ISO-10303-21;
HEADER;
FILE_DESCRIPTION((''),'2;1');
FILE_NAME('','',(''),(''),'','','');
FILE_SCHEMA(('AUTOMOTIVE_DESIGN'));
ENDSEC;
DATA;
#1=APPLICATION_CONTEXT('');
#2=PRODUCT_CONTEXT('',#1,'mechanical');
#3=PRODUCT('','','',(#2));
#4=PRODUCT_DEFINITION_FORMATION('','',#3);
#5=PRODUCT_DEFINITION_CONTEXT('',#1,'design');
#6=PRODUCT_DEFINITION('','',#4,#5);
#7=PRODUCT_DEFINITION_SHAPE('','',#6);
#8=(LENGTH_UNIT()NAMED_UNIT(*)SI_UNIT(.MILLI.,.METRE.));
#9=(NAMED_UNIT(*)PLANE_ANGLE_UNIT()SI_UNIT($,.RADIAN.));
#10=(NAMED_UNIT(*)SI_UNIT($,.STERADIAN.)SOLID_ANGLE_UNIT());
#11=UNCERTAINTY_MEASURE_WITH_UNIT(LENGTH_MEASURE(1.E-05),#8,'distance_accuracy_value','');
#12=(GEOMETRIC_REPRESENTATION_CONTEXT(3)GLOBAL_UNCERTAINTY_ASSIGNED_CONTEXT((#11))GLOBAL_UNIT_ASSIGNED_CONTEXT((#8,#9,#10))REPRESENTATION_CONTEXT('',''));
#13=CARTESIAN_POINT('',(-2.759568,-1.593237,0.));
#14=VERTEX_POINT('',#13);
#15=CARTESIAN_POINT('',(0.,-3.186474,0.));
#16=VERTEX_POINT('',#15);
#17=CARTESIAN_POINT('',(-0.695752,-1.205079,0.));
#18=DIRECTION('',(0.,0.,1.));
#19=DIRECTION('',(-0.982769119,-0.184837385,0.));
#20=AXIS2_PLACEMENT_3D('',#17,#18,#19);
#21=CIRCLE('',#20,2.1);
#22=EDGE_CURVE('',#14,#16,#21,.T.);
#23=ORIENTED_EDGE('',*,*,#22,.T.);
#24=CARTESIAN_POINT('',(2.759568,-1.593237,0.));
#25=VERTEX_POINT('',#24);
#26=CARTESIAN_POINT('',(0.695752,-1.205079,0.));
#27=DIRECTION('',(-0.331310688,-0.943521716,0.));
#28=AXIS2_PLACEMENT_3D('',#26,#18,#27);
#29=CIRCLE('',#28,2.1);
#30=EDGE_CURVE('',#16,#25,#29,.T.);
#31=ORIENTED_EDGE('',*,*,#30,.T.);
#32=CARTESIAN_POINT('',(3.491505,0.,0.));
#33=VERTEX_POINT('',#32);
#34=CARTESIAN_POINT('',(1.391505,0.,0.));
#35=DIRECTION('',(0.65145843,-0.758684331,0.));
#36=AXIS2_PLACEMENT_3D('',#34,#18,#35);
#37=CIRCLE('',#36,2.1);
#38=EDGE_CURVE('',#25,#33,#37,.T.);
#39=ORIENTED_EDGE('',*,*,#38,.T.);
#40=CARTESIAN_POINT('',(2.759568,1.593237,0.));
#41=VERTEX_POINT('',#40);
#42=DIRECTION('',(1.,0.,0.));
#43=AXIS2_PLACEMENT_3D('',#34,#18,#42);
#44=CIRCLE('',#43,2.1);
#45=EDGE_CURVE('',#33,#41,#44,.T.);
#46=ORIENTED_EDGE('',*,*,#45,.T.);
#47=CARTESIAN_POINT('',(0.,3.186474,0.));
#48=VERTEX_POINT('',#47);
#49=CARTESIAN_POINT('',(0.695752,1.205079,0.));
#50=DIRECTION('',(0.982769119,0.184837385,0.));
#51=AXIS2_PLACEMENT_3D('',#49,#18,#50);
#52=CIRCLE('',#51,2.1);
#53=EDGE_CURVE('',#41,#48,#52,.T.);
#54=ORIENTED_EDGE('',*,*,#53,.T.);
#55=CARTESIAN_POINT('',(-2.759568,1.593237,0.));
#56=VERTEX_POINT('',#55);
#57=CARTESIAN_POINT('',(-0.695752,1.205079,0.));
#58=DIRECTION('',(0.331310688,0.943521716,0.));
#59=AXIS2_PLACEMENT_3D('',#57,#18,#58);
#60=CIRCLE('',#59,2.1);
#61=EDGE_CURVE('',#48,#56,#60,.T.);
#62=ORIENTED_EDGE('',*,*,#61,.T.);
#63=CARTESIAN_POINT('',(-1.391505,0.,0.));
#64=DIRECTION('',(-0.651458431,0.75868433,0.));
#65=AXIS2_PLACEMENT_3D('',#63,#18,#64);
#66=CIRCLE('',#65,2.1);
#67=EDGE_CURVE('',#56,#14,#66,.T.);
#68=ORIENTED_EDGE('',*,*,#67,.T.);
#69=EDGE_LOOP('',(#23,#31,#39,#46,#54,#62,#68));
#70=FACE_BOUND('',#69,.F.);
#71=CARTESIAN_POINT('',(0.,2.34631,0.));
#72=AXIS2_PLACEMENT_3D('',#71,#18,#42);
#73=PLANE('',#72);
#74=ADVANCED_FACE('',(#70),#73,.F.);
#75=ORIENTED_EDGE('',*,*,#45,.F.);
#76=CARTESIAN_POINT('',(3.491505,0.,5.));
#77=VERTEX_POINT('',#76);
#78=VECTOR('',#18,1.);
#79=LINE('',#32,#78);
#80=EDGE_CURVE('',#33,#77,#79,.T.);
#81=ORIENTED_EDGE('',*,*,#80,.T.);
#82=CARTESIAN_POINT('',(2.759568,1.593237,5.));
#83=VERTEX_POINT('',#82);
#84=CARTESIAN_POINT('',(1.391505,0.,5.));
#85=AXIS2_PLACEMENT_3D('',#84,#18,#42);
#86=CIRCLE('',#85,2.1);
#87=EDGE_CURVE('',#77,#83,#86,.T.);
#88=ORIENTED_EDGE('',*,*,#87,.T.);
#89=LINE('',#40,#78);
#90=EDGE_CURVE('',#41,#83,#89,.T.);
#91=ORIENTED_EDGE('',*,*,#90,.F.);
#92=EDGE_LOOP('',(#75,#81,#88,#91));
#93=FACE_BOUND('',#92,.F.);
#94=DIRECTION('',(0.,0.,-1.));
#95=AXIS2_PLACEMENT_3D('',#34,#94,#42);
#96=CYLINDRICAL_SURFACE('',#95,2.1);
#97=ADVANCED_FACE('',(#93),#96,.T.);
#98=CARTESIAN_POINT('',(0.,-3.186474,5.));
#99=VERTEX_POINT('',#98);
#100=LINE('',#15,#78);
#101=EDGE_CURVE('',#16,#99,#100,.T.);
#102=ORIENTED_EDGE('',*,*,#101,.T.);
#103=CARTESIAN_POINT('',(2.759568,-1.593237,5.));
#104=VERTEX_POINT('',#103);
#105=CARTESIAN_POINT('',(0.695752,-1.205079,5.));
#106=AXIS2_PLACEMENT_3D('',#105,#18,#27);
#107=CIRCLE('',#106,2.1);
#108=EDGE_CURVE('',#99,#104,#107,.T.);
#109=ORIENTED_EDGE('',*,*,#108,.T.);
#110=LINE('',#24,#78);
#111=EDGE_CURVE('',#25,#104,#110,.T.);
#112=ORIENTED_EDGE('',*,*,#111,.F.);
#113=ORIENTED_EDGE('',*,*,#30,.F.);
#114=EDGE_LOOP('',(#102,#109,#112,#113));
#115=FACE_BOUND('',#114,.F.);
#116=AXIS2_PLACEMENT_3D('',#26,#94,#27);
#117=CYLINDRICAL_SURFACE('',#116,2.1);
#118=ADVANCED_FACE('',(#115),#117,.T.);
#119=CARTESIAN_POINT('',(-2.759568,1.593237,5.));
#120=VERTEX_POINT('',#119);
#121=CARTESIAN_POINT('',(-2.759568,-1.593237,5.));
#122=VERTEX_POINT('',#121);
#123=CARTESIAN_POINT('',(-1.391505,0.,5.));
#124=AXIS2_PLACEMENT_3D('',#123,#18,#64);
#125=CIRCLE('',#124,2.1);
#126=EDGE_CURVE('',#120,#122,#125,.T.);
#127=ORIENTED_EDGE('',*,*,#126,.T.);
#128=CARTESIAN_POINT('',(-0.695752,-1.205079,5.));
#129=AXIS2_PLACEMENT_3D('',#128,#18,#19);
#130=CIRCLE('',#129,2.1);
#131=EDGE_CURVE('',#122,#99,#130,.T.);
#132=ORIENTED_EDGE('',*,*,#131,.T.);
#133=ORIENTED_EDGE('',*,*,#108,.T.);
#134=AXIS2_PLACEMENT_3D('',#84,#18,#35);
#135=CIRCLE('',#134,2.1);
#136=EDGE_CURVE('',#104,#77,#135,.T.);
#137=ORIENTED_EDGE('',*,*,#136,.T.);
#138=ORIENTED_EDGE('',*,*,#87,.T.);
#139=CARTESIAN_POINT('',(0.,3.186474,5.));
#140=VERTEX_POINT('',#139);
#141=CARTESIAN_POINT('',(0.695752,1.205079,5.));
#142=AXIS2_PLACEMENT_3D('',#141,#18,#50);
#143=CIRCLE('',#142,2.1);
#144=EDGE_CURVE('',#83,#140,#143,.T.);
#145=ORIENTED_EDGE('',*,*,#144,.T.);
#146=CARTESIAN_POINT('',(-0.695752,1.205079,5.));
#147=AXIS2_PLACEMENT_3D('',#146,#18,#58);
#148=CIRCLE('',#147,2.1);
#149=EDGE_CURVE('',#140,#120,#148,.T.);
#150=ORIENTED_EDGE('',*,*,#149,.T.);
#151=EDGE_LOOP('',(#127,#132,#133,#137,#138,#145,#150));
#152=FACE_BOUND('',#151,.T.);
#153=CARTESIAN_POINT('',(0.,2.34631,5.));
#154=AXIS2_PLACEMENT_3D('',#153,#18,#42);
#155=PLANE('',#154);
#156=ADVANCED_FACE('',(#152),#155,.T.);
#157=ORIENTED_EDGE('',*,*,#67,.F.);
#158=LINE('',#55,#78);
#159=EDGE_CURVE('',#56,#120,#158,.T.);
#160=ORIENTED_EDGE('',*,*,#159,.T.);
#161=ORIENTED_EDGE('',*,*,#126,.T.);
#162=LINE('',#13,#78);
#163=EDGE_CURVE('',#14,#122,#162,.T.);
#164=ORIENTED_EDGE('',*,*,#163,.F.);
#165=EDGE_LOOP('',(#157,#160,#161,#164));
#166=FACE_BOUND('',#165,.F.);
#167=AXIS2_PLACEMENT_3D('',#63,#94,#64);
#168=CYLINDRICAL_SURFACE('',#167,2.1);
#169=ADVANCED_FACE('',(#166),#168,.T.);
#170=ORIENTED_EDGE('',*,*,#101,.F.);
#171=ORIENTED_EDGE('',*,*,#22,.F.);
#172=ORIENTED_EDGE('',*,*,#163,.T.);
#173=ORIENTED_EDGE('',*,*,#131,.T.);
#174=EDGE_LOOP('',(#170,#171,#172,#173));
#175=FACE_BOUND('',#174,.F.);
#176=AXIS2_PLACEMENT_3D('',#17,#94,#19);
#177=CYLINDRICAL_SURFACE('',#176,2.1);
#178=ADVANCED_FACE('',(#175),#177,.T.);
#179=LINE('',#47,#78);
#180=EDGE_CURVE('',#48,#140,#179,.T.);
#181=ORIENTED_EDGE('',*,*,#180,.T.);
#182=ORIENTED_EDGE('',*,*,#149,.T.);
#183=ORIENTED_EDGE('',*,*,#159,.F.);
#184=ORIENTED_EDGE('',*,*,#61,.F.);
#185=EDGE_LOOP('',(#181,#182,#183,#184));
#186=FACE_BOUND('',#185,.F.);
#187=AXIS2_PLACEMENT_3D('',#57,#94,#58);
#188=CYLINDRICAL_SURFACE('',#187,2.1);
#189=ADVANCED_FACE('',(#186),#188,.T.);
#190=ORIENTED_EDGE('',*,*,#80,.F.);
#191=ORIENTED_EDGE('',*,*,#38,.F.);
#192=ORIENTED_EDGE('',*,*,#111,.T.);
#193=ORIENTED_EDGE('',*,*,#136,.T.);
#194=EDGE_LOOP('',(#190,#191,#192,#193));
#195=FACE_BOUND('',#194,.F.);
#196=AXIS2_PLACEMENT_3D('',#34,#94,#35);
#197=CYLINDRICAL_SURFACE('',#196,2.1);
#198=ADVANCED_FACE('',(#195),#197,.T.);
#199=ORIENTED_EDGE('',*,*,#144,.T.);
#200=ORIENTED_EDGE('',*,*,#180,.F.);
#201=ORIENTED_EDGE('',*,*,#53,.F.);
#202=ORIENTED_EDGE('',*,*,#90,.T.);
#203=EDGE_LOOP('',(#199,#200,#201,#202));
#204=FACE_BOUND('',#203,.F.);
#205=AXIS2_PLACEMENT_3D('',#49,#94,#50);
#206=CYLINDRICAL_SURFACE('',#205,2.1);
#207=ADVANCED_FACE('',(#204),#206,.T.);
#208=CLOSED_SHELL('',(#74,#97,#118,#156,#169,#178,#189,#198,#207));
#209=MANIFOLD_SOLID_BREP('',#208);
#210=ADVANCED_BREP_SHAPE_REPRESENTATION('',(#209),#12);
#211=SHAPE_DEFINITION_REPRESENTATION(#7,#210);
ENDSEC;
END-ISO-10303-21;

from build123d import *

# Parameters (mm, degrees)
F1_DEPTH = 5


with BuildPart() as f1:
    # F0 (on Top) → F1 (new body)
    with BuildSketch(Plane.XY):
        with BuildLine():
            ThreePointArc((0, 1.5728045453), (0.5622224725, 1.9293238894), (1.2077869163, 2.0919483038))
            ThreePointArc((1.2077869163, 2.0919483038), (0.7144164106, 2.7611710623), (0, 3.186474188))
            ThreePointArc((0, 3.186474188), (-0.7144164106, 2.7611710623), (-1.2077869163, 2.0919483038))
            ThreePointArc((-1.2077869163, 2.0919483038), (-0.5622224725, 1.9293238894), (0, 1.5728045453))
        make_face()
        with BuildLine():
            ThreePointArc((-1.2077869163, 2.0919483038), (-0.7144164106, 2.7611710623), (0, 3.186474188))
            ThreePointArc((0, 3.186474188), (-1.7457524456, 3.0237319332), (-2.7595675953, 1.593237094))
            ThreePointArc((-2.7595675953, 1.593237094), (-2.0340360789, 1.9992882916), (-1.2077869163, 2.0919483038))
        make_face()
        with BuildLine():
            ThreePointArc((-1.3620886914, 0.7864022727), (-1.3897322641, 1.4515608884), (-1.2077869163, 2.0919483038))
            ThreePointArc((-1.2077869163, 2.0919483038), (-2.0340360789, 1.9992882916), (-2.7595675953, 1.593237094))
            ThreePointArc((-2.7595675953, 1.593237094), (-2.7484524894, 0.7618827707), (-2.4155738326, 0))
            ThreePointArc((-2.4155738326, 0), (-1.9519547366, 0.4777630009), (-1.3620886914, 0.7864022727))
        make_face()
        with BuildLine():
            ThreePointArc((-0.5120344707, 0.8868697185), (-0.291336695, 1.256202291), (0, 1.5728045453))
            ThreePointArc((0, 1.5728045453), (-0.5622224725, 1.9293238894), (-1.2077869163, 2.0919483038))
            ThreePointArc((-1.2077869163, 2.0919483038), (-1.3897322641, 1.4515608884), (-1.3620886914, 0.7864022727))
            ThreePointArc((-1.3620886914, 0.7864022727), (-0.9422347488, 0.8804061244), (-0.5120344707, 0.8868697185))
        make_face()
        with BuildLine():
            ThreePointArc((-1.0240689414, 0), (-1.2335714437, 0.3757961666), (-1.3620886914, 0.7864022727))
            ThreePointArc((-1.3620886914, 0.7864022727), (-1.9519547366, 0.4777630009), (-2.4155738326, 0))
            ThreePointArc((-2.4155738326, 0), (-1.9519547366, -0.4777630009), (-1.3620886914, -0.7864022727))
            ThreePointArc((-1.3620886914, -0.7864022727), (-1.2335714437, -0.3757961666), (-1.0240689414, 0))
        make_face()
        with BuildLine():
            ThreePointArc((-2.4155738326, 0), (-2.7484524894, 0.7618827707), (-2.7595675953, 1.593237094))
            ThreePointArc((-2.7595675953, 1.593237094), (-3.4915048912, 0), (-2.7595675953, -1.593237094))
            ThreePointArc((-2.7595675953, -1.593237094), (-2.7484524894, -0.7618827707), (-2.4155738326, 0))
        make_face()
        with BuildLine():
            ThreePointArc((-2.4155738326, 0), (-2.7484524894, -0.7618827707), (-2.7595675953, -1.593237094))
            ThreePointArc((-2.7595675953, -1.593237094), (-2.0340360789, -1.9992882916), (-1.2077869163, -2.0919483038))
            ThreePointArc((-1.2077869163, -2.0919483038), (-1.3897322641, -1.4515608884), (-1.3620886914, -0.7864022727))
            ThreePointArc((-1.3620886914, -0.7864022727), (-1.9519547366, -0.4777630009), (-2.4155738326, 0))
        make_face()
        with BuildLine():
            ThreePointArc((-2.7595675953, -1.593237094), (-1.7457524456, -3.0237319332), (0, -3.186474188))
            ThreePointArc((0, -3.186474188), (-0.7144164106, -2.7611710623), (-1.2077869163, -2.0919483038))
            ThreePointArc((-1.2077869163, -2.0919483038), (-2.0340360789, -1.9992882916), (-2.7595675953, -1.593237094))
        make_face()
        with BuildLine():
            ThreePointArc((0, -3.186474188), (0.7144164106, -2.7611710623), (1.2077869163, -2.0919483038))
            ThreePointArc((1.2077869163, -2.0919483038), (0.5622224725, -1.9293238894), (0, -1.5728045453))
            ThreePointArc((0, -1.5728045453), (-0.5622224725, -1.9293238894), (-1.2077869163, -2.0919483038))
            ThreePointArc((-1.2077869163, -2.0919483038), (-0.7144164106, -2.7611710623), (0, -3.186474188))
        make_face()
        with BuildLine():
            ThreePointArc((-1.2077869163, -2.0919483038), (-0.5622224725, -1.9293238894), (0, -1.5728045453))
            ThreePointArc((0, -1.5728045453), (-0.291336695, -1.256202291), (-0.5120344707, -0.8868697185))
            ThreePointArc((-0.5120344707, -0.8868697185), (-0.9422347488, -0.8804061244), (-1.3620886914, -0.7864022727))
            ThreePointArc((-1.3620886914, -0.7864022727), (-1.3897322641, -1.4515608884), (-1.2077869163, -2.0919483038))
        make_face()
        with BuildLine():
            ThreePointArc((-1.3620886914, -0.7864022727), (-0.9422347488, -0.8804061244), (-0.5120344707, -0.8868697185))
            ThreePointArc((-0.5120344707, -0.8868697185), (-0.6077834004, -0.6425311876), (-0.6723102585, -0.3881585087))
            ThreePointArc((-0.6723102585, -0.3881585087), (-0.8603400314, -0.2050902709), (-1.0240689414, 0))
            ThreePointArc((-1.0240689414, 0), (-1.2335714437, -0.3757961666), (-1.3620886914, -0.7864022727))
        make_face()
        with BuildLine():
            ThreePointArc((-0.6723102585, 0.3881585087), (-0.6077834004, 0.6425311876), (-0.5120344707, 0.8868697185))
            ThreePointArc((-0.5120344707, 0.8868697185), (-0.9422347488, 0.8804061244), (-1.3620886914, 0.7864022727))
            ThreePointArc((-1.3620886914, 0.7864022727), (-1.2335714437, 0.3757961666), (-1.0240689414, 0))
            ThreePointArc((-1.0240689414, 0), (-0.8603400314, 0.2050902709), (-0.6723102585, 0.3881585087))
        make_face()
        with BuildLine():
            ThreePointArc((0, 0.7763170174), (-0.3542475544, 0.6135747627), (-0.6723102585, 0.3881585087))
            ThreePointArc((-0.6723102585, 0.3881585087), (-0.7084951088, 0), (-0.6723102585, -0.3881585087))
            ThreePointArc((-0.6723102585, -0.3881585087), (-0.3542475544, -0.6135747627), (0, -0.7763170174))
            ThreePointArc((0, -0.7763170174), (0.3542475544, -0.6135747627), (0.6723102585, -0.3881585087))
            ThreePointArc((0.6723102585, -0.3881585087), (0.6994293275, -0.1949207347), (0.7084951088, 0))
            ThreePointArc((0.7084951088, 0), (0.6994293275, 0.1949207347), (0.6723102585, 0.3881585087))
            ThreePointArc((0.6723102585, 0.3881585087), (0.3542475544, 0.6135747627), (0, 0.7763170174))
        make_face()
        with BuildLine():
            ThreePointArc((0.5120344707, 0.8868697185), (0.291336695, 1.256202291), (0, 1.5728045453))
            ThreePointArc((0, 1.5728045453), (-0.291336695, 1.256202291), (-0.5120344707, 0.8868697185))
            ThreePointArc((-0.5120344707, 0.8868697185), (-0.252556631, 0.8476214585), (0, 0.7763170174))
            ThreePointArc((0, 0.7763170174), (0.252556631, 0.8476214585), (0.5120344707, 0.8868697185))
        make_face()
        with BuildLine():
            ThreePointArc((1.4042475544, 1.2050785853), (1.3545441988, 1.6592632063), (1.2077869163, 2.0919483038))
            ThreePointArc((1.2077869163, 2.0919483038), (0.5622224725, 1.9293238894), (0, 1.5728045453))
            ThreePointArc((0, 1.5728045453), (0.291336695, 1.256202291), (0.5120344707, 0.8868697185))
            ThreePointArc((0.5120344707, 0.8868697185), (0.9422347488, 0.8804061244), (1.3620886914, 0.7864022727))
            ThreePointArc((1.3620886914, 0.7864022727), (1.3936812561, 0.9946818027), (1.4042475544, 1.2050785853))
        make_face()
        with BuildLine():
            ThreePointArc((1.2077869163, 2.0919483038), (2.0340360789, 1.9992882916), (2.7595675953, 1.593237094))
            ThreePointArc((2.7595675953, 1.593237094), (1.7457524456, 3.0237319332), (0, 3.186474188))
            ThreePointArc((0, 3.186474188), (0.7144164106, 2.7611710623), (1.2077869163, 2.0919483038))
        make_face()
        with BuildLine():
            ThreePointArc((2.7957524456, 1.2050785853), (2.7866866644, 1.39999932), (2.7595675953, 1.593237094))
            ThreePointArc((2.7595675953, 1.593237094), (2.0340360789, 1.9992882916), (1.2077869163, 2.0919483038))
            ThreePointArc((1.2077869163, 2.0919483038), (1.3545441988, 1.6592632063), (1.4042475544, 1.2050785853))
            ThreePointArc((1.4042475544, 1.2050785853), (1.3936812561, 0.9946818027), (1.3620886914, 0.7864022727))
            ThreePointArc((1.3620886914, 0.7864022727), (1.9519547366, 0.4777630009), (2.4155738326, 0))
            ThreePointArc((2.4155738326, 0), (2.6984537355, 0.5732656829), (2.7957524456, 1.2050785853))
        make_face()
        with BuildLine():
            ThreePointArc((2.7595675953, -1.593237094), (3.2997674097, -0.8766608014), (3.4915048912, 0))
            ThreePointArc((3.4915048912, 0), (3.2997674097, 0.8766608014), (2.7595675953, 1.593237094))
            ThreePointArc((2.7595675953, 1.593237094), (2.7866866644, 1.39999932), (2.7957524456, 1.2050785853))
            ThreePointArc((2.7957524456, 1.2050785853), (2.6984537355, 0.5732656829), (2.4155738326, 0))
            ThreePointArc((2.4155738326, 0), (2.6984537355, -0.5732656829), (2.7957524456, -1.2050785853))
            ThreePointArc((2.7957524456, -1.2050785853), (2.7866866644, -1.39999932), (2.7595675953, -1.593237094))
        make_face()
        with BuildLine():
            ThreePointArc((1.2077869163, -2.0919483038), (2.0340360789, -1.9992882916), (2.7595675953, -1.593237094))
            ThreePointArc((2.7595675953, -1.593237094), (2.7866866644, -1.39999932), (2.7957524456, -1.2050785853))
            ThreePointArc((2.7957524456, -1.2050785853), (2.6984537355, -0.5732656829), (2.4155738326, 0))
            ThreePointArc((2.4155738326, 0), (1.9519547366, -0.4777630009), (1.3620886914, -0.7864022727))
            ThreePointArc((1.3620886914, -0.7864022727), (1.3936812561, -0.9946818027), (1.4042475544, -1.2050785853))
            ThreePointArc((1.4042475544, -1.2050785853), (1.3545441988, -1.6592632063), (1.2077869163, -2.0919483038))
        make_face()
        with BuildLine():
            ThreePointArc((0, -3.186474188), (1.7457524456, -3.0237319332), (2.7595675953, -1.593237094))
            ThreePointArc((2.7595675953, -1.593237094), (2.0340360789, -1.9992882916), (1.2077869163, -2.0919483038))
            ThreePointArc((1.2077869163, -2.0919483038), (0.7144164106, -2.7611710623), (0, -3.186474188))
        make_face()
        with BuildLine():
            ThreePointArc((0, -1.5728045453), (0.5622224725, -1.9293238894), (1.2077869163, -2.0919483038))
            ThreePointArc((1.2077869163, -2.0919483038), (1.3545441988, -1.6592632063), (1.4042475544, -1.2050785853))
            ThreePointArc((1.4042475544, -1.2050785853), (1.3936812561, -0.9946818027), (1.3620886914, -0.7864022727))
            ThreePointArc((1.3620886914, -0.7864022727), (0.9422347488, -0.8804061244), (0.5120344707, -0.8868697185))
            ThreePointArc((0.5120344707, -0.8868697185), (0.291336695, -1.256202291), (0, -1.5728045453))
        make_face()
        with BuildLine():
            ThreePointArc((0.5120344707, -0.8868697185), (0.9422347488, -0.8804061244), (1.3620886914, -0.7864022727))
            ThreePointArc((1.3620886914, -0.7864022727), (1.2335714437, -0.3757961666), (1.0240689414, 0))
            ThreePointArc((1.0240689414, 0), (0.8603400314, -0.2050902709), (0.6723102585, -0.3881585087))
            ThreePointArc((0.6723102585, -0.3881585087), (0.6077834004, -0.6425311876), (0.5120344707, -0.8868697185))
        make_face()
        with BuildLine():
            ThreePointArc((1.3620886914, -0.7864022727), (1.9519547366, -0.4777630009), (2.4155738326, 0))
            ThreePointArc((2.4155738326, 0), (1.9519547366, 0.4777630009), (1.3620886914, 0.7864022727))
            ThreePointArc((1.3620886914, 0.7864022727), (1.2335714437, 0.3757961666), (1.0240689414, 0))
            ThreePointArc((1.0240689414, 0), (1.2335714437, -0.3757961666), (1.3620886914, -0.7864022727))
        make_face()
        with BuildLine():
            ThreePointArc((1.3620886914, 0.7864022727), (0.9422347488, 0.8804061244), (0.5120344707, 0.8868697185))
            ThreePointArc((0.5120344707, 0.8868697185), (0.6077834004, 0.6425311876), (0.6723102585, 0.3881585087))
            ThreePointArc((0.6723102585, 0.3881585087), (0.8603400314, 0.2050902709), (1.0240689414, 0))
            ThreePointArc((1.0240689414, 0), (1.2335714437, 0.3757961666), (1.3620886914, 0.7864022727))
        make_face()
        with BuildLine():
            ThreePointArc((-0.5120344707, -0.8868697185), (-0.291336695, -1.256202291), (0, -1.5728045453))
            ThreePointArc((0, -1.5728045453), (0.291336695, -1.256202291), (0.5120344707, -0.8868697185))
            ThreePointArc((0.5120344707, -0.8868697185), (0.252556631, -0.8476214585), (0, -0.7763170174))
            ThreePointArc((0, -0.7763170174), (-0.252556631, -0.8476214585), (-0.5120344707, -0.8868697185))
        make_face()
        with BuildLine():
            ThreePointArc((-0.6723102585, -0.3881585087), (-0.6077834004, -0.6425311876), (-0.5120344707, -0.8868697185))
            ThreePointArc((-0.5120344707, -0.8868697185), (-0.252556631, -0.8476214585), (0, -0.7763170174))
            ThreePointArc((0, -0.7763170174), (-0.3542475544, -0.6135747627), (-0.6723102585, -0.3881585087))
        make_face()
        with BuildLine():
            ThreePointArc((-0.6723102585, -0.3881585087), (-0.7084951088, 0), (-0.6723102585, 0.3881585087))
            ThreePointArc((-0.6723102585, 0.3881585087), (-0.8603400314, 0.2050902709), (-1.0240689414, 0))
            ThreePointArc((-1.0240689414, 0), (-0.8603400314, -0.2050902709), (-0.6723102585, -0.3881585087))
        make_face()
        with BuildLine():
            ThreePointArc((0, 0.7763170174), (-0.252556631, 0.8476214585), (-0.5120344707, 0.8868697185))
            ThreePointArc((-0.5120344707, 0.8868697185), (-0.6077834004, 0.6425311876), (-0.6723102585, 0.3881585087))
            ThreePointArc((-0.6723102585, 0.3881585087), (-0.3542475544, 0.6135747627), (0, 0.7763170174))
        make_face()
        with BuildLine():
            ThreePointArc((0.6723102585, 0.3881585087), (0.6077834004, 0.6425311876), (0.5120344707, 0.8868697185))
            ThreePointArc((0.5120344707, 0.8868697185), (0.252556631, 0.8476214585), (0, 0.7763170174))
            ThreePointArc((0, 0.7763170174), (0.3542475544, 0.6135747627), (0.6723102585, 0.3881585087))
        make_face()
        with BuildLine():
            ThreePointArc((1.0240689414, 0), (0.8603400314, 0.2050902709), (0.6723102585, 0.3881585087))
            ThreePointArc((0.6723102585, 0.3881585087), (0.6994293275, 0.1949207347), (0.7084951088, 0))
            ThreePointArc((0.7084951088, 0), (0.6994293275, -0.1949207347), (0.6723102585, -0.3881585087))
            ThreePointArc((0.6723102585, -0.3881585087), (0.8603400314, -0.2050902709), (1.0240689414, 0))
        make_face()
        with BuildLine():
            ThreePointArc((0, -0.7763170174), (0.252556631, -0.8476214585), (0.5120344707, -0.8868697185))
            ThreePointArc((0.5120344707, -0.8868697185), (0.6077834004, -0.6425311876), (0.6723102585, -0.3881585087))
            ThreePointArc((0.6723102585, -0.3881585087), (0.3542475544, -0.6135747627), (0, -0.7763170174))
        make_face()
    extrude(amount=F1_DEPTH)


solid = f1.part
